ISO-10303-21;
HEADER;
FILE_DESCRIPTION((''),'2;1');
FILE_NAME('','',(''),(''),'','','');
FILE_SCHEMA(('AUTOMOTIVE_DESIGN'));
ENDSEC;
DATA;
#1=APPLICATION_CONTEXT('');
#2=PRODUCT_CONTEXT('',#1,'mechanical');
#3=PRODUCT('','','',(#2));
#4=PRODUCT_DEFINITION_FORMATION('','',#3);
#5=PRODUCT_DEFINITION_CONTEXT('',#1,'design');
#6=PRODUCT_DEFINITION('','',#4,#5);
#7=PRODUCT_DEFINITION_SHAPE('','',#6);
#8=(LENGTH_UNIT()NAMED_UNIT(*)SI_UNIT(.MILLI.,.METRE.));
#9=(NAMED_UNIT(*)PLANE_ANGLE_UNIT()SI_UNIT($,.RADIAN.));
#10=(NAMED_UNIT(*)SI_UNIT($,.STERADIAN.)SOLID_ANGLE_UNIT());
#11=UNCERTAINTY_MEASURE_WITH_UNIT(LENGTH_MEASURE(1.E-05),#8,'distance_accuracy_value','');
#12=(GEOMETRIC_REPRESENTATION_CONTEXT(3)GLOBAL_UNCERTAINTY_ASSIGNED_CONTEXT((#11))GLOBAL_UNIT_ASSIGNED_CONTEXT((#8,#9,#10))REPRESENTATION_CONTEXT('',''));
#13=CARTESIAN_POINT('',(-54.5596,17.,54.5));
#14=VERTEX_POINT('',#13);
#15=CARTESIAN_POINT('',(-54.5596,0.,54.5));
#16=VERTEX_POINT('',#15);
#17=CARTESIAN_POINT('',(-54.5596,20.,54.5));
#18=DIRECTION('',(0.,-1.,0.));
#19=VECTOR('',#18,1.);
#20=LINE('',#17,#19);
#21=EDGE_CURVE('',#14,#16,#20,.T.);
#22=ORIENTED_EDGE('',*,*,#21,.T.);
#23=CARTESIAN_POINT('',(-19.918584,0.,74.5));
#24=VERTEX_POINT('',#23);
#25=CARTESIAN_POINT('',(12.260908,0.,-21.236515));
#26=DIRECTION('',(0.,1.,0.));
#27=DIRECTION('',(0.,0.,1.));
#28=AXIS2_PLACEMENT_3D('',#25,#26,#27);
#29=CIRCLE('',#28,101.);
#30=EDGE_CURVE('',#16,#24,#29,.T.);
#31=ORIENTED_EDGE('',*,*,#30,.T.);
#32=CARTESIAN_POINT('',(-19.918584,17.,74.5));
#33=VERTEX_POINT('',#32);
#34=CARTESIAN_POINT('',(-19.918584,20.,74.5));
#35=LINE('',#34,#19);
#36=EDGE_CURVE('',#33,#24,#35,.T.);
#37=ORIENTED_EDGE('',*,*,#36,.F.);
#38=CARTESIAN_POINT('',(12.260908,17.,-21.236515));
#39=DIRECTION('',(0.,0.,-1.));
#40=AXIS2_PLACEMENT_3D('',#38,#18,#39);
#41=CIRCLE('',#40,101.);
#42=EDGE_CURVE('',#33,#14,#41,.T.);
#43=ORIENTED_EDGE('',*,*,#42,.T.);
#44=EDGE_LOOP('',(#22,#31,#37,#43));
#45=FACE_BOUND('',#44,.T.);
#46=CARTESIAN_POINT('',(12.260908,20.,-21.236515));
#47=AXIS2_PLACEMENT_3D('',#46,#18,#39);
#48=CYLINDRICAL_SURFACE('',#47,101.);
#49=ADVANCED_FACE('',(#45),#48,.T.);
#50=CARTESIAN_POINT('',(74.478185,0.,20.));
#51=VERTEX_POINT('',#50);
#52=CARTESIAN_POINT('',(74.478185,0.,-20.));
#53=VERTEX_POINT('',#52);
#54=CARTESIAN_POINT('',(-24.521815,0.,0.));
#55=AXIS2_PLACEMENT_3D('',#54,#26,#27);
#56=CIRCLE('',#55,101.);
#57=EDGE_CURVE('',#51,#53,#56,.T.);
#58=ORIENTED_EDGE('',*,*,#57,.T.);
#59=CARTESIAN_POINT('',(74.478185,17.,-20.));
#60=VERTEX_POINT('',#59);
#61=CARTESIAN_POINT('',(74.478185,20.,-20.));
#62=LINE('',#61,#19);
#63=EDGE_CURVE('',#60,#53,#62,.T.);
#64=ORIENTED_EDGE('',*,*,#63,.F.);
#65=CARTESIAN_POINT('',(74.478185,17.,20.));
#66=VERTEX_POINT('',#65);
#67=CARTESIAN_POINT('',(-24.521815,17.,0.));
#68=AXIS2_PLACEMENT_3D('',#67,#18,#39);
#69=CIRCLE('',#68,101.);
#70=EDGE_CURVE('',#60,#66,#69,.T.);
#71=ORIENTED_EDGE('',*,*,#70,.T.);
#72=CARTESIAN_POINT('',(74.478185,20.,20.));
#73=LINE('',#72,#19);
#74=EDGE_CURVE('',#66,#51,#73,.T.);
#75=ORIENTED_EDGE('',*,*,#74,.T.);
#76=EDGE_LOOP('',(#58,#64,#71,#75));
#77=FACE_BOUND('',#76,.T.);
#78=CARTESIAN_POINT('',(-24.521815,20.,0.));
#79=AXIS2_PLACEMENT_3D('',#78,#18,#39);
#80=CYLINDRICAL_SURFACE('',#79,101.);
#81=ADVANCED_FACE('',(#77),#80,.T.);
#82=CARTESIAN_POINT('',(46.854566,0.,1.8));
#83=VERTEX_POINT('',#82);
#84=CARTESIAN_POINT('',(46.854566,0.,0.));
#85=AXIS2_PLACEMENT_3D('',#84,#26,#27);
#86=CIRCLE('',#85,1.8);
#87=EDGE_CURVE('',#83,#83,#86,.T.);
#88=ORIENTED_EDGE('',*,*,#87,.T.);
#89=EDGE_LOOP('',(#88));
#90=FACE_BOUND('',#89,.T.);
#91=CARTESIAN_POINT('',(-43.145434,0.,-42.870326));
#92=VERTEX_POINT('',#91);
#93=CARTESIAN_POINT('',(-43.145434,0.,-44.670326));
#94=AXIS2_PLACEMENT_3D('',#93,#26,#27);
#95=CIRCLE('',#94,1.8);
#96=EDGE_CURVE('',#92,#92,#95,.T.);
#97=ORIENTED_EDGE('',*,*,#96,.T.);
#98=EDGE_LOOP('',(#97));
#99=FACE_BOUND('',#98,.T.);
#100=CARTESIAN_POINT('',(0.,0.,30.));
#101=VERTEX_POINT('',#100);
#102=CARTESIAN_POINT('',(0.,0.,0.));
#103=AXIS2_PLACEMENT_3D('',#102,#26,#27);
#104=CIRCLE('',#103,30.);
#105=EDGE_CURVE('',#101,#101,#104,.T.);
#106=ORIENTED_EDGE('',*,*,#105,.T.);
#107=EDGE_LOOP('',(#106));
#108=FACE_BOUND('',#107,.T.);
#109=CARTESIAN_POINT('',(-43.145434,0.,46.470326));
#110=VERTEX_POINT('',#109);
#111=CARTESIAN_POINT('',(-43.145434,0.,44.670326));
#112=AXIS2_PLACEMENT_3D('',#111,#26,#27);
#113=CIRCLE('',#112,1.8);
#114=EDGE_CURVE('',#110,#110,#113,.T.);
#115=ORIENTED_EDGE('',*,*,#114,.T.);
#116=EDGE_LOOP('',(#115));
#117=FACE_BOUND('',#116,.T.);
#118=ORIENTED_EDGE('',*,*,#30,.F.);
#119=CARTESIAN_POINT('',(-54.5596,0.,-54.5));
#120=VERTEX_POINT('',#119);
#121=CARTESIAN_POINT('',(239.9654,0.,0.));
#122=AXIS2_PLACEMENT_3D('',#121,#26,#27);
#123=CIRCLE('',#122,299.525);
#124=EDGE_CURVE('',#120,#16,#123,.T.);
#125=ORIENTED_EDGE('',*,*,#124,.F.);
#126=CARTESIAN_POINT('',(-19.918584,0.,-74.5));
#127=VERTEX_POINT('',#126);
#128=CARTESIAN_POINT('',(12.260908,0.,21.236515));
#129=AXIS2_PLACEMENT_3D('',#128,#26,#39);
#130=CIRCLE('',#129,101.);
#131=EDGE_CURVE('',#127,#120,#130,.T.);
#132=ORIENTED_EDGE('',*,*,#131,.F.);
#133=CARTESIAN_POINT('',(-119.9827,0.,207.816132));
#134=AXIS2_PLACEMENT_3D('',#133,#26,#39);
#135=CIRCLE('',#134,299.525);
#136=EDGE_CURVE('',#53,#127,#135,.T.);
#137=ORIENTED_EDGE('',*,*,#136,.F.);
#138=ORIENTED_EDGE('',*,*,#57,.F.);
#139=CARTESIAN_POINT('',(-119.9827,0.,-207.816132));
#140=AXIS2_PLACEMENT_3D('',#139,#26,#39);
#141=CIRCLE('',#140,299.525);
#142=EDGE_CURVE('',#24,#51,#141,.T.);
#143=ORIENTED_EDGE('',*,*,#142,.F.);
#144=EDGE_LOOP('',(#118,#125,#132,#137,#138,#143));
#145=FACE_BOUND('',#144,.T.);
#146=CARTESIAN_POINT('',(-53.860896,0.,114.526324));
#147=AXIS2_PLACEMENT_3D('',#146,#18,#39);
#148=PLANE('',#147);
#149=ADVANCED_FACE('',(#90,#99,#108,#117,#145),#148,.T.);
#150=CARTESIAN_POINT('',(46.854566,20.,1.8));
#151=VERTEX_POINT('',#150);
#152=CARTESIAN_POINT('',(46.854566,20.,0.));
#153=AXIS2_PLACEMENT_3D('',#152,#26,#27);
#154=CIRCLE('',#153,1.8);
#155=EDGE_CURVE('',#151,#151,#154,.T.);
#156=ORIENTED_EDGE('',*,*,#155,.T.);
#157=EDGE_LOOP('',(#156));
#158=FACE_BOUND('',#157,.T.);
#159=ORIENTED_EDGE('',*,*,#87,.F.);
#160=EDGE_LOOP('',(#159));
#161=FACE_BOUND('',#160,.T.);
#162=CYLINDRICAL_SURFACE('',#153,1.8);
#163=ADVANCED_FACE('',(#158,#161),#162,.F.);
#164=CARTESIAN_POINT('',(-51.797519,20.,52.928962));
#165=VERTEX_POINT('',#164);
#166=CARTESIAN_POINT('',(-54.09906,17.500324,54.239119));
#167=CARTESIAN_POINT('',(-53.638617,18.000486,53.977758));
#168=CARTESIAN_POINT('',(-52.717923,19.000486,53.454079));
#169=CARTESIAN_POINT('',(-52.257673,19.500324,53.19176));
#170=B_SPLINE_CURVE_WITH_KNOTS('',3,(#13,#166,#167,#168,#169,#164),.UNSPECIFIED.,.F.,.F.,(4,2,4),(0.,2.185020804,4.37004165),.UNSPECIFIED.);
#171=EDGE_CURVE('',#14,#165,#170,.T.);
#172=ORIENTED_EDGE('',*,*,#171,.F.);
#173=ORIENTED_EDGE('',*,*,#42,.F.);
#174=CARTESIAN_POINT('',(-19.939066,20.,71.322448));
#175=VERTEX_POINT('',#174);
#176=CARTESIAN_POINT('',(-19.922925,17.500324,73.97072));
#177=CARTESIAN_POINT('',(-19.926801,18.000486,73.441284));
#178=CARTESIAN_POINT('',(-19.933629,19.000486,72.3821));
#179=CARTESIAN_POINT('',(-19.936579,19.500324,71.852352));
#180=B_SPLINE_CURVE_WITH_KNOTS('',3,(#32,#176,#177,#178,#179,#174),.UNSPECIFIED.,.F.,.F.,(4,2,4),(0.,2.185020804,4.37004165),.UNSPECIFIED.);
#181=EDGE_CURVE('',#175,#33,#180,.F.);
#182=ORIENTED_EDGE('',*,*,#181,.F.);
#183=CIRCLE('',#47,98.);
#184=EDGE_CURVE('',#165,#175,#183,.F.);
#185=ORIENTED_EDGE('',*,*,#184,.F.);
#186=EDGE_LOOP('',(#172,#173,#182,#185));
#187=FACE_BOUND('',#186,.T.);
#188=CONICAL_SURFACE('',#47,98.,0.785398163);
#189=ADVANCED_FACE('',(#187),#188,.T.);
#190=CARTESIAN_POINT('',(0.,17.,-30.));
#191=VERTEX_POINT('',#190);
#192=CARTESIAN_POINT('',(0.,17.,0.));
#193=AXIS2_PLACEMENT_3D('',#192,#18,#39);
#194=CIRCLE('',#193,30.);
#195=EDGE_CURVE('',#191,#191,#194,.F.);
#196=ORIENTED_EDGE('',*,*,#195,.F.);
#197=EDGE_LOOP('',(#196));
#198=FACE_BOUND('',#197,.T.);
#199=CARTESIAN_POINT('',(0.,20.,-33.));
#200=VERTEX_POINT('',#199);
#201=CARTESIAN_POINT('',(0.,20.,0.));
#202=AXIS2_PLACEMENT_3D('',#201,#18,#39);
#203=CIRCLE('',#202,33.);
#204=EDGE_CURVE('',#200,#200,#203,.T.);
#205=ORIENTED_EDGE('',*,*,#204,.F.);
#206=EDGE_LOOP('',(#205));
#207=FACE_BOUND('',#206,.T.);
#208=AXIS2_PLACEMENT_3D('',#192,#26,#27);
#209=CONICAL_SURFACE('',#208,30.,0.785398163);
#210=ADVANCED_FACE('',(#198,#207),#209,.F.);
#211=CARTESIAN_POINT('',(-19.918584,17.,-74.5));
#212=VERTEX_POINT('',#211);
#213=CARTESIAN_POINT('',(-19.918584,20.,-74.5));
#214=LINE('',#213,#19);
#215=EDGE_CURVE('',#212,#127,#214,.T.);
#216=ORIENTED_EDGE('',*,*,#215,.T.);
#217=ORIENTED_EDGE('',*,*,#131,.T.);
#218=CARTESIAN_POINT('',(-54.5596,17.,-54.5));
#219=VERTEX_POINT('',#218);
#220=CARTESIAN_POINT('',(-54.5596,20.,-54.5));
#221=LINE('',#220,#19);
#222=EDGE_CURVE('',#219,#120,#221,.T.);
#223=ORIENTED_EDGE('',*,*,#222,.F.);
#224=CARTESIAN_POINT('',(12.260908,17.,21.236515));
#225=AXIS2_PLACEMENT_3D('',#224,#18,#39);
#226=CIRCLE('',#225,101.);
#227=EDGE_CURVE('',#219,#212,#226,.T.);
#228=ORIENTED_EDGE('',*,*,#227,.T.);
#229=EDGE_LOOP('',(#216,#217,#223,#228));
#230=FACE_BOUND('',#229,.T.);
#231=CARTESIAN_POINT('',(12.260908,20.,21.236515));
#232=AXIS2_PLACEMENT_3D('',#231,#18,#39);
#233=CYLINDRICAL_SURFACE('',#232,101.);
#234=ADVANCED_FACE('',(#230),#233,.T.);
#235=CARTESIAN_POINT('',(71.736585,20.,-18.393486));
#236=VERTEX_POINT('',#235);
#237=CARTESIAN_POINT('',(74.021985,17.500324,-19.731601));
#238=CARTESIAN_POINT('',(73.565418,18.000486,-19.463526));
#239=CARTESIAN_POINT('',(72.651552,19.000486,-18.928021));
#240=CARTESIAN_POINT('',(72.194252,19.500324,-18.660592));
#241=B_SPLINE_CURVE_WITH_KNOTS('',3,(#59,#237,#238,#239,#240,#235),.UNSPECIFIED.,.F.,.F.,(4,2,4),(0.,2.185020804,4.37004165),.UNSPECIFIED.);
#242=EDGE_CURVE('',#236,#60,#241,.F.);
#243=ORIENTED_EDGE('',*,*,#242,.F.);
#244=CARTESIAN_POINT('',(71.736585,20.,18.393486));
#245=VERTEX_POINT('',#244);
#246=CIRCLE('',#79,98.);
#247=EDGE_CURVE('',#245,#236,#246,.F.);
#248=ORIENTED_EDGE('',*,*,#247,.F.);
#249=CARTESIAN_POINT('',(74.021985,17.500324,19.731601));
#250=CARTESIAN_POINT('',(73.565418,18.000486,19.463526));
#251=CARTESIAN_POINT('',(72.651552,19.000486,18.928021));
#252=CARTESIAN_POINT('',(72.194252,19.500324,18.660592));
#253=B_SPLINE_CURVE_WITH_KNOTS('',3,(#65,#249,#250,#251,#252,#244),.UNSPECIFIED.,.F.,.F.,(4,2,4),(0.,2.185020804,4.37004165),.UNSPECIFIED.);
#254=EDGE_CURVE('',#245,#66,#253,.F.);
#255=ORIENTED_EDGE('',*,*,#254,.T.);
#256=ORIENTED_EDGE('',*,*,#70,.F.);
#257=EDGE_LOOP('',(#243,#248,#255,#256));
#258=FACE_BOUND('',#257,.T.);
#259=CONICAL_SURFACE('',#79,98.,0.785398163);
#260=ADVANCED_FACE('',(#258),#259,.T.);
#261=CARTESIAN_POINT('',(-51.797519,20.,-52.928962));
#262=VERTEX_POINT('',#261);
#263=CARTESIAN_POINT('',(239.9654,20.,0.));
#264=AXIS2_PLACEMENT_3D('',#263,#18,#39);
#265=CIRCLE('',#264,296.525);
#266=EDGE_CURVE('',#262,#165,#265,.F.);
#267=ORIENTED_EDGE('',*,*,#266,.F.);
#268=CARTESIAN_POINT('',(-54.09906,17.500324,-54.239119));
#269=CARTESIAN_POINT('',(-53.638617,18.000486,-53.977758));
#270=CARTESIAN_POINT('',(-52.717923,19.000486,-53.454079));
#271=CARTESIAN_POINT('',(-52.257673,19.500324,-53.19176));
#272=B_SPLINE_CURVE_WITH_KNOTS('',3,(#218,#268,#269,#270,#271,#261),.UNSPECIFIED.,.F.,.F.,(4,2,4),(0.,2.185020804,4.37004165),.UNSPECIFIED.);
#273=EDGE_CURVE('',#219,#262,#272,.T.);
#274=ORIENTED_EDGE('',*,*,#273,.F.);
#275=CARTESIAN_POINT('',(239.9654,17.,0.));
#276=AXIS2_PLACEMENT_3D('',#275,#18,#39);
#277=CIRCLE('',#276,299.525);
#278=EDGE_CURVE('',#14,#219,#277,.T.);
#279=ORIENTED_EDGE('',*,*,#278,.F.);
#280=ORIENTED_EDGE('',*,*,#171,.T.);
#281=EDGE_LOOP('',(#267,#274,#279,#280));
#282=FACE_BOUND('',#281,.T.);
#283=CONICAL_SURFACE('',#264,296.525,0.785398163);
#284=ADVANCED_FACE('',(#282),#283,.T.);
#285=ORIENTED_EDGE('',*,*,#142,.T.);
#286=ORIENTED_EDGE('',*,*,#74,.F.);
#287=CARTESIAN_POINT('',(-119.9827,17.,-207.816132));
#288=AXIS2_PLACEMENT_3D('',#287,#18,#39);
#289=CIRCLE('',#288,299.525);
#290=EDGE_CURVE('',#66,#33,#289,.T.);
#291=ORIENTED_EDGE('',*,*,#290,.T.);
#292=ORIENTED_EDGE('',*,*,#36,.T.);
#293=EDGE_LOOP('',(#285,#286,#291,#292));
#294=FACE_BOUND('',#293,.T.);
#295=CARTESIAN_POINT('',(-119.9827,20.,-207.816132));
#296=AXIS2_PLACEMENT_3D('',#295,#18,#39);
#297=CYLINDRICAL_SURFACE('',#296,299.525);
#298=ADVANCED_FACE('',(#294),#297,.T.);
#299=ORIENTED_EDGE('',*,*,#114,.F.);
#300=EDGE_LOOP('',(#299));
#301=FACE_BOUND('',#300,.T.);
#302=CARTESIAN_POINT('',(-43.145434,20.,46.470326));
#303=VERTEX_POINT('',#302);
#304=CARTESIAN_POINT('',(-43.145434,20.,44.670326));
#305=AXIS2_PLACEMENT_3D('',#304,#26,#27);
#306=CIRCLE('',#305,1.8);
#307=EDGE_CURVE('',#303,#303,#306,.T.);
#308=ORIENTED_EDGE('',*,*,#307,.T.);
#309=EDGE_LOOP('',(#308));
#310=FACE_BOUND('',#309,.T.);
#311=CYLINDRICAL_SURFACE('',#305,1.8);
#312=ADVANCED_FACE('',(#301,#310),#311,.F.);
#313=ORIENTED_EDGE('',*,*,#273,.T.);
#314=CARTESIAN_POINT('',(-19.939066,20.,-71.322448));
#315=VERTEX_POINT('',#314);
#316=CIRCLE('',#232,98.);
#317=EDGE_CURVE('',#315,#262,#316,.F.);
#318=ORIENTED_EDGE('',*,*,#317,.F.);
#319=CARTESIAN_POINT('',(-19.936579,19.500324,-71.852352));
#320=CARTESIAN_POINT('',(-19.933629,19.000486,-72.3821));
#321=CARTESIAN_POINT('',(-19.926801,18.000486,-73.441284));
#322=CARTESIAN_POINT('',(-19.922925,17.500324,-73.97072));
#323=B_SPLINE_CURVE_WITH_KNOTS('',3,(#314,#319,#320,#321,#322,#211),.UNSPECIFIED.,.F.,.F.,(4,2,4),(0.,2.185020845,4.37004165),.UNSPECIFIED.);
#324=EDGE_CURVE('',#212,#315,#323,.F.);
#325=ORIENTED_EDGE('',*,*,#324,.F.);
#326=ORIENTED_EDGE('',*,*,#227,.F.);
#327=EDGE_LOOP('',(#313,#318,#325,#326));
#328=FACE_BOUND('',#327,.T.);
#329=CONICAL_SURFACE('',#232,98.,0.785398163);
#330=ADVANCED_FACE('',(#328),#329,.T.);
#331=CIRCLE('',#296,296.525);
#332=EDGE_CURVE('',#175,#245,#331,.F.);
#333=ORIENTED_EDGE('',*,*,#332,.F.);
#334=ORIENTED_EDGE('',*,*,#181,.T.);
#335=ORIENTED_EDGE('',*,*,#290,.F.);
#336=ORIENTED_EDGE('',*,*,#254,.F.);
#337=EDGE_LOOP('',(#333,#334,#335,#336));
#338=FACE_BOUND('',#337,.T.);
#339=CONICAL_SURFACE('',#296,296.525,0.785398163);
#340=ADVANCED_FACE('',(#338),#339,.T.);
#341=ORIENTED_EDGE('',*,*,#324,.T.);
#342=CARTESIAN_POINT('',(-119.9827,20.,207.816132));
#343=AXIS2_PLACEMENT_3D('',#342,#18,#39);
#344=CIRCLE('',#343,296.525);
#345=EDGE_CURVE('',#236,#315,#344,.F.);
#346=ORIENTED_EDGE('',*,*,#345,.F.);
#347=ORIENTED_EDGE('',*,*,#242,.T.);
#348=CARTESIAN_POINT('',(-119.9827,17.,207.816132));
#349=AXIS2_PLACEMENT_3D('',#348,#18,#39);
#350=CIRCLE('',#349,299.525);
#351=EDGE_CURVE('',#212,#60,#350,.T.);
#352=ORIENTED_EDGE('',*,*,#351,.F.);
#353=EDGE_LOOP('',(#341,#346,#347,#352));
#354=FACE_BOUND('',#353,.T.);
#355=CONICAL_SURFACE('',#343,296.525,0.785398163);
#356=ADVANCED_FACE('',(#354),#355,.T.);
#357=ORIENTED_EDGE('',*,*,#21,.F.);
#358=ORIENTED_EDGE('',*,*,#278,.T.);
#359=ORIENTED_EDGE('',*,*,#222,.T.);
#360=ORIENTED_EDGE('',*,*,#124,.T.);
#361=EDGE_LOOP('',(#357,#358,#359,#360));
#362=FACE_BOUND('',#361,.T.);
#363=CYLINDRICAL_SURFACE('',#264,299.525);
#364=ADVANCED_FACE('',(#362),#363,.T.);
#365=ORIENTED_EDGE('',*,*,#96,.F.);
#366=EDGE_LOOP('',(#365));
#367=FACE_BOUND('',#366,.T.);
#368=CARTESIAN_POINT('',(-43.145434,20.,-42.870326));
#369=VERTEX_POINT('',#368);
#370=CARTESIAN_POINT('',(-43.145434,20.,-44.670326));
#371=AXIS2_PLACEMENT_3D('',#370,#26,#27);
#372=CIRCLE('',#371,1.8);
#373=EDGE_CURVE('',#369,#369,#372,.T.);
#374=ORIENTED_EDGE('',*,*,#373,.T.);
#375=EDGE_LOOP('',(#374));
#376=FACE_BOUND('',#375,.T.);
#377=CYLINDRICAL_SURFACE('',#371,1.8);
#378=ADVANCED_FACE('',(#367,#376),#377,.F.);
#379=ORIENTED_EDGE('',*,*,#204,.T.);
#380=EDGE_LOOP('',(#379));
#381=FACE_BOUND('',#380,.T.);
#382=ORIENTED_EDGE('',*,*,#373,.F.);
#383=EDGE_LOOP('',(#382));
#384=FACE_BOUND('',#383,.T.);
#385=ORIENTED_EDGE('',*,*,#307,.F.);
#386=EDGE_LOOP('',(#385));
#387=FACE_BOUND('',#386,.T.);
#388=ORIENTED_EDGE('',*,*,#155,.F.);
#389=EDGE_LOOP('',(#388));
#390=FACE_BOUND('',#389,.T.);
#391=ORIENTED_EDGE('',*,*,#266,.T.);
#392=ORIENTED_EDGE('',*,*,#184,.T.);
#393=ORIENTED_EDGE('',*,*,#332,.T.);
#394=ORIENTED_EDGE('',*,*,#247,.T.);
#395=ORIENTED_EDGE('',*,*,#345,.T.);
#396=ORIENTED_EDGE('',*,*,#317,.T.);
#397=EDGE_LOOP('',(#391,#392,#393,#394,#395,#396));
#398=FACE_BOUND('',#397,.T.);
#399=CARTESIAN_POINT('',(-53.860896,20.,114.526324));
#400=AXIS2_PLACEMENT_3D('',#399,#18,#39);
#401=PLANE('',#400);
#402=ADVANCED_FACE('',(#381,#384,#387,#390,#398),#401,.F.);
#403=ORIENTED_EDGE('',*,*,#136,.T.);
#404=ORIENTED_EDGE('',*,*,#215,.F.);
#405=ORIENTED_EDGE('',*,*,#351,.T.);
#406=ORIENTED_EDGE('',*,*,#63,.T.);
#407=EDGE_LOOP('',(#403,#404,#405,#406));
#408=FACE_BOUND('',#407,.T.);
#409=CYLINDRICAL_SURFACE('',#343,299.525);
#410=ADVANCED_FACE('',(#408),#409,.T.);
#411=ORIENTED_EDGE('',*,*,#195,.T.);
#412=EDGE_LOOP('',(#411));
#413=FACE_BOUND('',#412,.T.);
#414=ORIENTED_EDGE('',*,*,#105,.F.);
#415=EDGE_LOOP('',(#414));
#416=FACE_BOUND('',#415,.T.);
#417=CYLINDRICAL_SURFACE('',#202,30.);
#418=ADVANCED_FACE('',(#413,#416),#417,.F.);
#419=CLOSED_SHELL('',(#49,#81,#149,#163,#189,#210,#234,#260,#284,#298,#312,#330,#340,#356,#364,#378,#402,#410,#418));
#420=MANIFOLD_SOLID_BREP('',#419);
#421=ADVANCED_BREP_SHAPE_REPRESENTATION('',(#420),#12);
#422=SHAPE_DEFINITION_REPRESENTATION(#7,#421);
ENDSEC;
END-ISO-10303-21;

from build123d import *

# Parameters (mm, degrees)
SKETCH1_R            = 30
BOSS_EXTRUDE1_DEPTH  = 20
CHAMFER1_SIZE        = 3
M3_CLEARANCE_HOLE1_D = 3.6


with BuildPart() as part:
    # Sketch1 → Boss-Extrude1 (new body)
    with BuildSketch(Plane(origin=(0, 0, 0), x_dir=(1, 0, 0), z_dir=(0, 1, 0))):
        with BuildLine():
            ThreePointArc((-54.559600438, 54.5), (-59.559600438, 0), (-54.559600438, -54.5))
            ThreePointArc((-54.559600438, -54.5), (-38.239092363, -66.232050808), (-19.918584287, -74.5))
            ThreePointArc((-19.918584287, -74.5), (29.779800219, -51.580127019), (74.478184725, -20))
            ThreePointArc((74.478184725, -20), (76.478184725, 0), (74.478184725, 20))
            ThreePointArc((74.478184725, 20), (29.779800219, 51.580127019), (-19.918584287, 74.5))
            ThreePointArc((-19.918584287, 74.5), (-38.239092363, 66.232050808), (-54.559600438, 54.5))
        make_face()
        Circle(SKETCH1_R, mode=Mode.SUBTRACT)
    extrude(amount=BOSS_EXTRUDE1_DEPTH)

    # Chamfer1
    chamfer1_edges = [part.edges().sort_by_distance(p)[0] for p in [
        (-38.239092363, 20, 66.232050808),
        (29.779800219, 20, 51.580127019),
        (-30, 20, 0),
        (76.478184725, 20, 0),
        (29.779800219, 20, -51.580127019),
        (-38.239092363, 20, -66.232050808),
        (-59.559600438, 20, 0),
    ]]
    chamfer(chamfer1_edges, length=CHAMFER1_SIZE)

    # M3 Clearance Hole1 (through all)
    with Locations(Plane(origin=(0, 20, 0), x_dir=(1, 0, 0), z_dir=(0, 1, 0))):
        with Locations((0, 0), (-43.145434031, 44.670326137), (-43.145434031, -44.670326137), (46.854565969, 0)):
            Hole(M3_CLEARANCE_HOLE1_D / 2)


solid = part.part
